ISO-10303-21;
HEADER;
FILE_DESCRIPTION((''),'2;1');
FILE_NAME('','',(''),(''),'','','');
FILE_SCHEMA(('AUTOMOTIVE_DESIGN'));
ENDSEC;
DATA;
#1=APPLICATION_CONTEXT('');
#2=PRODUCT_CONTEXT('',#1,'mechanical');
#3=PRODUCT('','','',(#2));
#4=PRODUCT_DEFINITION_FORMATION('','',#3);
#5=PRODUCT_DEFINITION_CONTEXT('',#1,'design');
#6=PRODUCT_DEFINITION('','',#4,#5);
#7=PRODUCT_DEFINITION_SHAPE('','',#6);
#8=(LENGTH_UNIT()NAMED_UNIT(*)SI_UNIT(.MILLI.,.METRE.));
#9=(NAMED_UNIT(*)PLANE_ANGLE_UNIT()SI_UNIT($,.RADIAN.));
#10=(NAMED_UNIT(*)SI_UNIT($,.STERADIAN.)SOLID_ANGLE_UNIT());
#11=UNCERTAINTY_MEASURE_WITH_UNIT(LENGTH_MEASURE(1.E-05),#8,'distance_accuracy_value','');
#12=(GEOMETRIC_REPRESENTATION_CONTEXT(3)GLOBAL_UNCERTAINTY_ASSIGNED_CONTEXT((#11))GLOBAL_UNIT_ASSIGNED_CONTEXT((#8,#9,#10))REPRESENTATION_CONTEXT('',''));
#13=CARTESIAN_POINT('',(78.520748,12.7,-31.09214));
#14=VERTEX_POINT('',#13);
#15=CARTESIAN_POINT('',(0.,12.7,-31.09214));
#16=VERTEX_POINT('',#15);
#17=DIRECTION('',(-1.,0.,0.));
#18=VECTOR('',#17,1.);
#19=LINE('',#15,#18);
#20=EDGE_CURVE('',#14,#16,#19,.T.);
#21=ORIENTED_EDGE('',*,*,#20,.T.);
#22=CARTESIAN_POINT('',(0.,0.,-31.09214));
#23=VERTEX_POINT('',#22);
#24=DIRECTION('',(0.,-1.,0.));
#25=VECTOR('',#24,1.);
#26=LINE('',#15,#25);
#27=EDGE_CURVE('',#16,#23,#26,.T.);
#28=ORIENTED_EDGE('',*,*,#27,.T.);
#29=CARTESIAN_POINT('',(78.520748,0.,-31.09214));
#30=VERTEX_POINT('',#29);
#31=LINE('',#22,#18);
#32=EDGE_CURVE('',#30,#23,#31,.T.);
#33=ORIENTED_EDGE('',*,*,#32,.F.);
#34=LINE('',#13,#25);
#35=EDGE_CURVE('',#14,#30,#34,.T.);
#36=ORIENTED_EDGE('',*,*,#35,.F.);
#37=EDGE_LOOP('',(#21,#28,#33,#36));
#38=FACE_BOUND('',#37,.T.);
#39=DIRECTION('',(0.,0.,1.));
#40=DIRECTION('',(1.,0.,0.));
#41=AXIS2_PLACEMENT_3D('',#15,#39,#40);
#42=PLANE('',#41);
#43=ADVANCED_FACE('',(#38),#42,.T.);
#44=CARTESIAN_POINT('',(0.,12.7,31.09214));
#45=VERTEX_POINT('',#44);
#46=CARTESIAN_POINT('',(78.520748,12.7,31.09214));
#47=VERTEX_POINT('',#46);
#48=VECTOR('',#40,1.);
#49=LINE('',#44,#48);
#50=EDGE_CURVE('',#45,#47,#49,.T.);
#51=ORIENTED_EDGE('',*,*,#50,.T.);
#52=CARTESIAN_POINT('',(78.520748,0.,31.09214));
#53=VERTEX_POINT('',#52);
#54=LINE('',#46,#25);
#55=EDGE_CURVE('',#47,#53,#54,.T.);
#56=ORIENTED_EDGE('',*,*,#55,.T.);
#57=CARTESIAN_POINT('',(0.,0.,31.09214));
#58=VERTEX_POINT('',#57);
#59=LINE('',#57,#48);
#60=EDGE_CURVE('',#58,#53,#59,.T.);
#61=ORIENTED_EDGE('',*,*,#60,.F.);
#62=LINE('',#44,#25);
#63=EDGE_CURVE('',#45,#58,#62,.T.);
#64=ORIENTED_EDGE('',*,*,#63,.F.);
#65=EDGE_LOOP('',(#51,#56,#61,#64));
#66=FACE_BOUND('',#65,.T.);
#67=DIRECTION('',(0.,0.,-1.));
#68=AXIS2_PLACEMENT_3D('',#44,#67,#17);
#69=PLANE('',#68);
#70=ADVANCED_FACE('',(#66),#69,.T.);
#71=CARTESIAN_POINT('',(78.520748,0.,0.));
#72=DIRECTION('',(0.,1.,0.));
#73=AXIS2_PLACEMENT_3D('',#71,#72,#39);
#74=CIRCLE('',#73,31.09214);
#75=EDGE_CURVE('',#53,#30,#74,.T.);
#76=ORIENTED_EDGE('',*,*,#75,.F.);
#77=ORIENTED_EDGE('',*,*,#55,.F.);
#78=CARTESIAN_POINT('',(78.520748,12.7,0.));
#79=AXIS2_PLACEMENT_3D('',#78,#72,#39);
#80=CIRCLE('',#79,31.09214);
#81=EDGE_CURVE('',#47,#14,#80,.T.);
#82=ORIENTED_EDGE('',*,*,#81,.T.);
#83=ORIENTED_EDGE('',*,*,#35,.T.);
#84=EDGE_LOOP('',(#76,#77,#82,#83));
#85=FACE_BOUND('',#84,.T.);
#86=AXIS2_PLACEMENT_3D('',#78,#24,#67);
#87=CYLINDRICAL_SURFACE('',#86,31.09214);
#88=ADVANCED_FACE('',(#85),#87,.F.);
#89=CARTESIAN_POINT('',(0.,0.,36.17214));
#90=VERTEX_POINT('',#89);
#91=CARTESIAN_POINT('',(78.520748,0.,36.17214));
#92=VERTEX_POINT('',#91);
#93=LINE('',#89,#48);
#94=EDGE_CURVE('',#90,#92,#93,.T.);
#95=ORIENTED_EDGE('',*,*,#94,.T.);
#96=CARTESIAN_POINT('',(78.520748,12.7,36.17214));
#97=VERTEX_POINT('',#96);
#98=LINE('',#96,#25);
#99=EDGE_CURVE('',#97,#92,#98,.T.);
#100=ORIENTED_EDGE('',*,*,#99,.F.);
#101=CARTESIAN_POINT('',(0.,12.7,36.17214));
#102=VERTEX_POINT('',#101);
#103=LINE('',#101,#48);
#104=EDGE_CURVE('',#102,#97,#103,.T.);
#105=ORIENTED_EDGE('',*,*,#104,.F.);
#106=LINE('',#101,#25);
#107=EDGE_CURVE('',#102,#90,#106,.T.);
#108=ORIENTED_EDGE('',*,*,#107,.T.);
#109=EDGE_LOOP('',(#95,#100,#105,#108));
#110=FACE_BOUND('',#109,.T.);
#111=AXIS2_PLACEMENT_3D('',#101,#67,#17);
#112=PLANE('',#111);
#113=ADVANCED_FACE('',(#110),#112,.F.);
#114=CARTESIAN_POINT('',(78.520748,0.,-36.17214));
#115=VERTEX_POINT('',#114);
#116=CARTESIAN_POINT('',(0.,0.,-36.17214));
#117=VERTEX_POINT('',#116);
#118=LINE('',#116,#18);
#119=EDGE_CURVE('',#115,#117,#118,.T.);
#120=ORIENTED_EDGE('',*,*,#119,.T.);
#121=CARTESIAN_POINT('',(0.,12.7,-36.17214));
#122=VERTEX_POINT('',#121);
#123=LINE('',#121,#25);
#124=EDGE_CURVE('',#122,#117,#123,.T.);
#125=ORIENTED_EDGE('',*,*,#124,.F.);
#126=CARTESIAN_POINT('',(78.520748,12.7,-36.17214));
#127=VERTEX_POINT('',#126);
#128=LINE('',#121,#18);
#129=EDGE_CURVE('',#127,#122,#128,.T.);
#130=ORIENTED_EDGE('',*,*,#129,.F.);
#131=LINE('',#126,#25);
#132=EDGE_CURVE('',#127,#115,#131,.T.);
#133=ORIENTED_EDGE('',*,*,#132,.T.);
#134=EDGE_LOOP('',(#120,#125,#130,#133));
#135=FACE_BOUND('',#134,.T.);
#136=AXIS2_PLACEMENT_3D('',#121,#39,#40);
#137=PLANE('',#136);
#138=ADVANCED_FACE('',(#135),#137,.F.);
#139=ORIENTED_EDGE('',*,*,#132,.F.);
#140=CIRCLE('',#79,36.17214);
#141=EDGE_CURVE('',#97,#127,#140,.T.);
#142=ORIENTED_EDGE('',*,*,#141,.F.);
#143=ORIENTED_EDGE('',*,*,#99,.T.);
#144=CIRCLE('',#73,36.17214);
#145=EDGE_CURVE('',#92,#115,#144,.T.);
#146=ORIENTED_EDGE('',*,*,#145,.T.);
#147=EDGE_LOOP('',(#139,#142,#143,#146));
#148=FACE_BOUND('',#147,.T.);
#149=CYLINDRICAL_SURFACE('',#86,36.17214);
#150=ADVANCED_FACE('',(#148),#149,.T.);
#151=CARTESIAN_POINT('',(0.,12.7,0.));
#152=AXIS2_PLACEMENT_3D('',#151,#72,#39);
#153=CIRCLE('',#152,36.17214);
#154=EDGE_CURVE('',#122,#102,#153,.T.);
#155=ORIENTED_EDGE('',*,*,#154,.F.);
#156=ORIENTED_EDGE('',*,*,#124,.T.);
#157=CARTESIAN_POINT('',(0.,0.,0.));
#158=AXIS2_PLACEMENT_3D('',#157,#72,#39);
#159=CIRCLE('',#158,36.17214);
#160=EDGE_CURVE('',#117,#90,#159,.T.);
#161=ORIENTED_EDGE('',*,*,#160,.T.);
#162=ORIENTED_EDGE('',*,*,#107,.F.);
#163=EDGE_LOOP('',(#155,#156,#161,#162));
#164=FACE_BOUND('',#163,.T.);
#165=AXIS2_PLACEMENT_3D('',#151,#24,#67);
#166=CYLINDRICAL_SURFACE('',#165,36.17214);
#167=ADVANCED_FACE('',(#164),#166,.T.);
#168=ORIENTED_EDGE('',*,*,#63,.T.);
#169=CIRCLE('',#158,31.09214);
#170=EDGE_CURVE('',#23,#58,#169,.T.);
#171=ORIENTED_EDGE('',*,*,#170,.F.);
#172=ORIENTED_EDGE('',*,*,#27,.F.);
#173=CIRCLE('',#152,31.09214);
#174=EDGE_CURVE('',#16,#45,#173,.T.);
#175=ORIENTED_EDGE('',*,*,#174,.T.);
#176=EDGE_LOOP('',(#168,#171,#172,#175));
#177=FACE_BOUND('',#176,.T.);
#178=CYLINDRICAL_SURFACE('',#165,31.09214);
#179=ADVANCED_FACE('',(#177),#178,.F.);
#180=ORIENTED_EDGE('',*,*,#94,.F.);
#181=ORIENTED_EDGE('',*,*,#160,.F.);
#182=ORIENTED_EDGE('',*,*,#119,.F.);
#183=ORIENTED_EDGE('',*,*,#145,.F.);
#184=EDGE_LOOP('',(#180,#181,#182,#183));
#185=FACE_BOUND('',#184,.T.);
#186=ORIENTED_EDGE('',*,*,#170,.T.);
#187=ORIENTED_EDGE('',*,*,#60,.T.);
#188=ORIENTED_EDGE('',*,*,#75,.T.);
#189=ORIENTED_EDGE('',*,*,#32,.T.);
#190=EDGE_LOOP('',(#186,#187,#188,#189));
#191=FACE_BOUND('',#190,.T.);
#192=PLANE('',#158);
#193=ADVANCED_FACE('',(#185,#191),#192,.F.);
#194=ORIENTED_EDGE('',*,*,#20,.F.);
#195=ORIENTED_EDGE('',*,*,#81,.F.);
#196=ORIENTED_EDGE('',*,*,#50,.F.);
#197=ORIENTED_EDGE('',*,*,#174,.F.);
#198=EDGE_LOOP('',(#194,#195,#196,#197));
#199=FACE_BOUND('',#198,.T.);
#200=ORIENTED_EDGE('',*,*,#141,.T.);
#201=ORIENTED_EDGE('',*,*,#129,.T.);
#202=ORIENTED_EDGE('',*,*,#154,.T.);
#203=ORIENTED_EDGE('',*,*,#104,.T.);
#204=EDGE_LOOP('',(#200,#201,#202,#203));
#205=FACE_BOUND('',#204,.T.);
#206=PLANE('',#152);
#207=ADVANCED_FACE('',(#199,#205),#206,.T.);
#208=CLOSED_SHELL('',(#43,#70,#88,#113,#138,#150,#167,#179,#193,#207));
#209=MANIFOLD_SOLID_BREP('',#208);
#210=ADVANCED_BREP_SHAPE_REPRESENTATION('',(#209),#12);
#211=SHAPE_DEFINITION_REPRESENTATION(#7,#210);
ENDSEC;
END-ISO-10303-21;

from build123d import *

# Parameters (mm, degrees)
BOSS_EXTRUDE1_DEPTH = 12.7


with BuildPart() as part:
    # Sketch1 → Boss-Extrude1 (new body)
    with BuildSketch(Plane(origin=(0, 0, 0), x_dir=(1, 0, 0), z_dir=(0, 1, 0))):
        with BuildLine():
            Line((0, 36.172140165), (78.520748037, 36.172140165))
            ThreePointArc((78.520748037, 36.172140165), (114.692888203, 0), (78.520748037, -36.172140165))
            Line((78.520748037, -36.172140165), (0, -36.172140165))
            ThreePointArc((0, -36.172140165), (-36.172140165, 0), (0, 36.172140165))
        make_face()
        with BuildLine():
            Line((0, 31.092140165), (78.520748037, 31.092140165))
            ThreePointArc((78.520748037, 31.092140165), (109.612888203, 0), (78.520748037, -31.092140165))
            Line((78.520748037, -31.092140165), (0, -31.092140165))
            ThreePointArc((0, -31.092140165), (-31.092140165, 0), (0, 31.092140165))
        make_face(mode=Mode.SUBTRACT)
    extrude(amount=BOSS_EXTRUDE1_DEPTH)


solid = part.part
